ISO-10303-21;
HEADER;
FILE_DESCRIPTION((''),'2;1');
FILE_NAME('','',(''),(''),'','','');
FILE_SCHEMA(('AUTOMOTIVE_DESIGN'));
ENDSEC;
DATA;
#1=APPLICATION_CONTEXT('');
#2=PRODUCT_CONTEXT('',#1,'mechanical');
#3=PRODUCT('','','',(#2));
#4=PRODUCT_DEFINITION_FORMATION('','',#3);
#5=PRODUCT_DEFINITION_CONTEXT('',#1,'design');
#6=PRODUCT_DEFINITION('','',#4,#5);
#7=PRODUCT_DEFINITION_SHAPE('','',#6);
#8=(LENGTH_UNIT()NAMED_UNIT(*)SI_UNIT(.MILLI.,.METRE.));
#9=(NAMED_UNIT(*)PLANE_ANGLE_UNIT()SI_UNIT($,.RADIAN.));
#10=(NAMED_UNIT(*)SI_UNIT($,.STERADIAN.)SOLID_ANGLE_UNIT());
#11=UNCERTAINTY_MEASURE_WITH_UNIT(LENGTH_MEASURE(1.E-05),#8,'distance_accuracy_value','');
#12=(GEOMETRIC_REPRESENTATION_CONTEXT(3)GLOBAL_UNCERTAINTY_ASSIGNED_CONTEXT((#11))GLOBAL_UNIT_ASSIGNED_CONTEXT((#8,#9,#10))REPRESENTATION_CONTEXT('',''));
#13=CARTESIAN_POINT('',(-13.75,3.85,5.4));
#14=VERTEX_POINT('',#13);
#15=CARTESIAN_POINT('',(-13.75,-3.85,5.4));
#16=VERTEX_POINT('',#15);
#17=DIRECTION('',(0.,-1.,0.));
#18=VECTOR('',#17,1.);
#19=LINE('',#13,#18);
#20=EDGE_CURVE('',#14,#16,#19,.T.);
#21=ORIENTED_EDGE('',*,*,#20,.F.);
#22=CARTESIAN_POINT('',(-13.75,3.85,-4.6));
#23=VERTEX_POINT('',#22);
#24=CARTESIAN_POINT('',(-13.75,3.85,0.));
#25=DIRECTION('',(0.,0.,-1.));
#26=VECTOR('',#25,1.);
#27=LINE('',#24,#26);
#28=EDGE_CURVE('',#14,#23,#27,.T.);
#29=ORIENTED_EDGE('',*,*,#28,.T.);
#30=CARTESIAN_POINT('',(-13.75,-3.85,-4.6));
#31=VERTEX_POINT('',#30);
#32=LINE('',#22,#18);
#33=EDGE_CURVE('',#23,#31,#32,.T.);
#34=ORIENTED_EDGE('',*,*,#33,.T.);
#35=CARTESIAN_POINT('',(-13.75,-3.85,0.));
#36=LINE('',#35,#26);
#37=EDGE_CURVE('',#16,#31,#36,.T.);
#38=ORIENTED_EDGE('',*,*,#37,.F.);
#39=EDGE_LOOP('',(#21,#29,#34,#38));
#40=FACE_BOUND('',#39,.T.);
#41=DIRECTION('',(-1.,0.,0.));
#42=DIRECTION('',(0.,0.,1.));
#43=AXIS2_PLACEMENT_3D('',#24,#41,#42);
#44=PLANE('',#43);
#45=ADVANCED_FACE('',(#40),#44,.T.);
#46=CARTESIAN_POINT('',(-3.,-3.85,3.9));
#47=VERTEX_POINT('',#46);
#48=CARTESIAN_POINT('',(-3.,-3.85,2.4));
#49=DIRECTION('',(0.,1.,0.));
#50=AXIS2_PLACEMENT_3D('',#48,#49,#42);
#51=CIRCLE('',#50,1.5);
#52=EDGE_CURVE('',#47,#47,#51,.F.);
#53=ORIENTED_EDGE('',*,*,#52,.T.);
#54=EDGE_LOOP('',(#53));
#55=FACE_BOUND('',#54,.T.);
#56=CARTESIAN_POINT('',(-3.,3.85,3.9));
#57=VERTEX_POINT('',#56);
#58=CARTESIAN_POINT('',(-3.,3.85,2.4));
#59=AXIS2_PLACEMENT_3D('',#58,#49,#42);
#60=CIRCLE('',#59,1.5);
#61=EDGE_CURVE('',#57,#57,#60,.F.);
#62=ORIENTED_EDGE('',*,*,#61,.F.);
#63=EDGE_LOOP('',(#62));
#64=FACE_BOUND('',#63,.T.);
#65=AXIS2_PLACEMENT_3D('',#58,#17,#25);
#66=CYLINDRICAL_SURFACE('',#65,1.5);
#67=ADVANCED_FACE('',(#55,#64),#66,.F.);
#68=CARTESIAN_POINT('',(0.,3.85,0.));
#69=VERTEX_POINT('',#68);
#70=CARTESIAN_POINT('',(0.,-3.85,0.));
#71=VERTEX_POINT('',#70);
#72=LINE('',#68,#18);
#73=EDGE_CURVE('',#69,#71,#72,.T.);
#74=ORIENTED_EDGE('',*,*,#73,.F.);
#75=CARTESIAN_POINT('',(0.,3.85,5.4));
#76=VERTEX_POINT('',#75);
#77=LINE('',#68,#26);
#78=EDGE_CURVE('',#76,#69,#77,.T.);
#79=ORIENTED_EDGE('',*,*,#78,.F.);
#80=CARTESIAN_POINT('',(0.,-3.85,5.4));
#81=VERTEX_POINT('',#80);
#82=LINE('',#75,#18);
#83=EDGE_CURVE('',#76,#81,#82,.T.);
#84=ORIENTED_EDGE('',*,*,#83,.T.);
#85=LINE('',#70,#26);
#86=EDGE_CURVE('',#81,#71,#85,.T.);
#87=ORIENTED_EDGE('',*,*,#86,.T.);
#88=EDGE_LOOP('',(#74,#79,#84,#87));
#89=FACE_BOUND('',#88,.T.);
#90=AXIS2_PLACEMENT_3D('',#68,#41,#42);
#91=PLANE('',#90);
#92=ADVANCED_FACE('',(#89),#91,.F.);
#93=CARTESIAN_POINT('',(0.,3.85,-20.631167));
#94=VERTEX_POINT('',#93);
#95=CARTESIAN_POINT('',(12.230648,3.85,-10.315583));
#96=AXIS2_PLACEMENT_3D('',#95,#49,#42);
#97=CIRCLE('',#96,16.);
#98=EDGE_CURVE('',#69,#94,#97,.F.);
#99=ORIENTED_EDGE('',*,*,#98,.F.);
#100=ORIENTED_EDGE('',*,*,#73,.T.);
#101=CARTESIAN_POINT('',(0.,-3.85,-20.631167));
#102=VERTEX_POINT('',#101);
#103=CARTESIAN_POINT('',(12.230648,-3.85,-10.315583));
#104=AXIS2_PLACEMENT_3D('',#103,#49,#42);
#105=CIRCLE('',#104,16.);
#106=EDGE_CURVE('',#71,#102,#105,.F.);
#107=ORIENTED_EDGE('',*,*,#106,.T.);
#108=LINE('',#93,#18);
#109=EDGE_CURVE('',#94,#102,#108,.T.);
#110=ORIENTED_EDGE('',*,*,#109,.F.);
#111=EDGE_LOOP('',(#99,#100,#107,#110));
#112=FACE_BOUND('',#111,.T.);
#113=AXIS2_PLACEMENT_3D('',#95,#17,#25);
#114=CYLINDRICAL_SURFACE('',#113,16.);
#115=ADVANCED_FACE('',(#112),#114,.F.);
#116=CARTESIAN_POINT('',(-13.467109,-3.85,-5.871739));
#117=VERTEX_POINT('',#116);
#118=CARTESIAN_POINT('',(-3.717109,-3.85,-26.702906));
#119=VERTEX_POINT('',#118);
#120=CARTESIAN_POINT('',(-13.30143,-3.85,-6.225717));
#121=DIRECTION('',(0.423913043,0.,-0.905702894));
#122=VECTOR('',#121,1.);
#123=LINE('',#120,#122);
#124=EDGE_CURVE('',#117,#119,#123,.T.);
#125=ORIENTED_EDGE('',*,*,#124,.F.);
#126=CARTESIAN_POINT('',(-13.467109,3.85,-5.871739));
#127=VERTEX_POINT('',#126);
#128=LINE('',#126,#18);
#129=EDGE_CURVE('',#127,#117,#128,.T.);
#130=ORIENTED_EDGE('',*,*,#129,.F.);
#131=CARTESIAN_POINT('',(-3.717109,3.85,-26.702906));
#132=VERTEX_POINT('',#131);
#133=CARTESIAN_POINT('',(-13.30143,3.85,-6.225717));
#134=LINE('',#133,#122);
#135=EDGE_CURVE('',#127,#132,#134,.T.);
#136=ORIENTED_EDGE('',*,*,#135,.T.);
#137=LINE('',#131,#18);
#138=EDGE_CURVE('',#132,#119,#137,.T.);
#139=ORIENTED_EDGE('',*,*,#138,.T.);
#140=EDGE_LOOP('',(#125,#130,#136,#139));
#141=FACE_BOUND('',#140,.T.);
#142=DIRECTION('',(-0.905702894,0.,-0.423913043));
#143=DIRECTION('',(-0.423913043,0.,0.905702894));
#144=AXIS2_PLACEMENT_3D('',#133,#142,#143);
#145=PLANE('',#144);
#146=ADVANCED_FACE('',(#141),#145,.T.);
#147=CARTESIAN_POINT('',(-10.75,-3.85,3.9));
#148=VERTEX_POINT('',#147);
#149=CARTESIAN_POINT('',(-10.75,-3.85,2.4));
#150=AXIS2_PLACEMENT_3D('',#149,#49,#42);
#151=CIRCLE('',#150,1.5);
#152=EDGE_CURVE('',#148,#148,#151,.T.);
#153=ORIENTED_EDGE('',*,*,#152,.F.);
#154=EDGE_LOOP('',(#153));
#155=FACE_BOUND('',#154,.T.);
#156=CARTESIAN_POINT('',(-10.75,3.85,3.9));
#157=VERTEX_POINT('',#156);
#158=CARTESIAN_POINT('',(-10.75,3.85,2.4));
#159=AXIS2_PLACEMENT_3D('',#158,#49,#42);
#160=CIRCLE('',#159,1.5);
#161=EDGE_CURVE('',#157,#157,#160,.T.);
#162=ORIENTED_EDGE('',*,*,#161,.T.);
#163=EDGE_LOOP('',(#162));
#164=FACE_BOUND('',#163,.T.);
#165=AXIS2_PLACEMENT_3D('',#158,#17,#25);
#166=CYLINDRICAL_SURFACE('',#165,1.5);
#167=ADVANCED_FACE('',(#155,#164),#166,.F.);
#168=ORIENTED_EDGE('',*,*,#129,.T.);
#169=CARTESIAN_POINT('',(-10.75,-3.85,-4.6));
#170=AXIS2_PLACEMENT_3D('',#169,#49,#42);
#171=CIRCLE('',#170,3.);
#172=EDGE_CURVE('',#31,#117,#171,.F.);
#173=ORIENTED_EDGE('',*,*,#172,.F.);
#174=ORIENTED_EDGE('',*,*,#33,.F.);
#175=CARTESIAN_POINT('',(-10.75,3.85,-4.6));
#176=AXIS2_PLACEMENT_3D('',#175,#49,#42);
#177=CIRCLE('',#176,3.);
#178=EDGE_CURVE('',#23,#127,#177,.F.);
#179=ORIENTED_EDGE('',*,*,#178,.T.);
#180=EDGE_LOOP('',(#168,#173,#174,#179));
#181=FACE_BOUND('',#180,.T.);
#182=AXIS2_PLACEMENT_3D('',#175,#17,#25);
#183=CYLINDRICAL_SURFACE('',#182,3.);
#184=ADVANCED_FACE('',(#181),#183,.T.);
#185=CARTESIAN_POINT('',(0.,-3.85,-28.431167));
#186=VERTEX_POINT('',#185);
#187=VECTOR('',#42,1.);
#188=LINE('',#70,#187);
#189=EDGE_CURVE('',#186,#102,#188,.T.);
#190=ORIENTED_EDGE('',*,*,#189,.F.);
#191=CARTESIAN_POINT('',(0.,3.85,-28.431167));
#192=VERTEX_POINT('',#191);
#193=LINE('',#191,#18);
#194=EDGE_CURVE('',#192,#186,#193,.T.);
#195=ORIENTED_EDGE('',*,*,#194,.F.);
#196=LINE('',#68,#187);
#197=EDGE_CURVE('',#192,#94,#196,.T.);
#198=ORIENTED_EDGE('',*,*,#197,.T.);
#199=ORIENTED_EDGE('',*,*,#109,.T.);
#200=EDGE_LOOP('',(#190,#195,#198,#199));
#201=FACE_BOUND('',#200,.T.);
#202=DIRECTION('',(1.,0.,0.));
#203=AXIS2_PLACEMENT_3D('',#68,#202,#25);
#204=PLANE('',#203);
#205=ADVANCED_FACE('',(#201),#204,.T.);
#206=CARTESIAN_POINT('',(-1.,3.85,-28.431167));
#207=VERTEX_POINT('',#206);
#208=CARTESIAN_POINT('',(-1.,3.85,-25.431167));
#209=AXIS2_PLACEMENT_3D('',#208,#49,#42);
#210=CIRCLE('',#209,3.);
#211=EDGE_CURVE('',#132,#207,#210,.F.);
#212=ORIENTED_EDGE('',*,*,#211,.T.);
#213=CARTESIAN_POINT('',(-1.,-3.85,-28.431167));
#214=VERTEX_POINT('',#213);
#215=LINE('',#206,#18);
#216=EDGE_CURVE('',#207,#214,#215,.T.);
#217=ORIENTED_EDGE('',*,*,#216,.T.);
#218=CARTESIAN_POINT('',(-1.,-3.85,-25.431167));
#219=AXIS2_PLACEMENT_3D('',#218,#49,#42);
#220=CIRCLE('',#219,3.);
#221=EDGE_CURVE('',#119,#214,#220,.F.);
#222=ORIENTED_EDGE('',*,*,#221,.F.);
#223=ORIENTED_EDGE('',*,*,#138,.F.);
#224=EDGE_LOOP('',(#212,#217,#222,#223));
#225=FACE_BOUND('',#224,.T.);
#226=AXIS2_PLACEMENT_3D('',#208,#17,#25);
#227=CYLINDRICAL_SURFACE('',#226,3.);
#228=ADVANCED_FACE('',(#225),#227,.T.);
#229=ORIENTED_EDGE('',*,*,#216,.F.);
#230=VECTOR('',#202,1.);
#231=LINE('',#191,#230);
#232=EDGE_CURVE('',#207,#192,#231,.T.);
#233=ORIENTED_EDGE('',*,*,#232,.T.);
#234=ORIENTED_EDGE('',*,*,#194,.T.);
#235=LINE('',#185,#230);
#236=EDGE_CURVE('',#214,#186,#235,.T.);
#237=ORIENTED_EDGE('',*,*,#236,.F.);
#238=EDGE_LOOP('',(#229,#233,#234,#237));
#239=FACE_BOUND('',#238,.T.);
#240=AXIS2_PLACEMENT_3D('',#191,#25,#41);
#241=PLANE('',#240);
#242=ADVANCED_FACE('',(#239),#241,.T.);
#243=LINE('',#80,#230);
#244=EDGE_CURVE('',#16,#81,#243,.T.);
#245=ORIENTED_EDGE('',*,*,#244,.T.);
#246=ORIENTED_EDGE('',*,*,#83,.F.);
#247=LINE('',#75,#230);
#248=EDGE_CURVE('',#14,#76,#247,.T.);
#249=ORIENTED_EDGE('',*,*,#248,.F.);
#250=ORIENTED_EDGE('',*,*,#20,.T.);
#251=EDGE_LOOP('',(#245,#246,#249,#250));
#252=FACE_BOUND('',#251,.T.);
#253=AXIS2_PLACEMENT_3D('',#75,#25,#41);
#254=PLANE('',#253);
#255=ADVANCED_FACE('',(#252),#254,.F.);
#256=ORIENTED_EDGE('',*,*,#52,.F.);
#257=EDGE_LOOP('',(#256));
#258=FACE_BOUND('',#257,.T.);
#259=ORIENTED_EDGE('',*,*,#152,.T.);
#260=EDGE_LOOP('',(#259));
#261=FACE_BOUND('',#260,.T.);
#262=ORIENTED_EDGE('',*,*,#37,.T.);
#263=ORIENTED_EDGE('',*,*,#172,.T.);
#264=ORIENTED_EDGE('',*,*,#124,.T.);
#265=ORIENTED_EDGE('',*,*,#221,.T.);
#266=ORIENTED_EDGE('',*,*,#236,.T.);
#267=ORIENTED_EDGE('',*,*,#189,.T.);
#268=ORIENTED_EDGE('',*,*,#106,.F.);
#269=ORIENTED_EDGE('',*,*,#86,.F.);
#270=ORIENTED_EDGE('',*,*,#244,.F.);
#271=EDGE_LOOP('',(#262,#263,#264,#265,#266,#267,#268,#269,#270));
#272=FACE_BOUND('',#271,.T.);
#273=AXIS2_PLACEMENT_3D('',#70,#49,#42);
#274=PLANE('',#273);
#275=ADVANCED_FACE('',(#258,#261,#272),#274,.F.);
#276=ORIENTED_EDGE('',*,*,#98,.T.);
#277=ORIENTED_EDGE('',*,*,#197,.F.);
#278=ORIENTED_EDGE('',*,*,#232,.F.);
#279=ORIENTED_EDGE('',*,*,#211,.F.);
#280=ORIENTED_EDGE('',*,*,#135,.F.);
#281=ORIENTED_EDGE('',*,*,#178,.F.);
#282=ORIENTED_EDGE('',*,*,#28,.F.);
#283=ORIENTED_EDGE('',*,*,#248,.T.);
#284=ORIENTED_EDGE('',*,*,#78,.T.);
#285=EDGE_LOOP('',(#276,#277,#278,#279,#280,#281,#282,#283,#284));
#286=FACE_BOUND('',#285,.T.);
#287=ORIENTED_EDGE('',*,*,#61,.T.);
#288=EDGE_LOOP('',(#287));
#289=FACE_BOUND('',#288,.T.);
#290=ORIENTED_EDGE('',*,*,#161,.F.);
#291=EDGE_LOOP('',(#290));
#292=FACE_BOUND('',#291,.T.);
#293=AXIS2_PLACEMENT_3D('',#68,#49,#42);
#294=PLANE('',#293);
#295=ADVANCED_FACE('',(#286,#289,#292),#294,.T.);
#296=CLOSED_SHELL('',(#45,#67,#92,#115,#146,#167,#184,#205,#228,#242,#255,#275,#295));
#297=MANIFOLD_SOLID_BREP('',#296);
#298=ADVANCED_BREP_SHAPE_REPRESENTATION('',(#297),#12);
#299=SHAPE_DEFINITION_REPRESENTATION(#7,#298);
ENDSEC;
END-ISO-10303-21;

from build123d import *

# Parameters (mm, degrees)
SKETCH1_R           = 1.5
BOSS_EXTRUDE3_DEPTH = 3.85


with BuildPart() as part:
    # Sketch1 → Boss-Extrude3 (new body, symmetric)
    with BuildSketch(Plane(origin=(0, 0, 0), x_dir=(1, 0, 0), z_dir=(0, 1, 0))):
        with BuildLine():
            Line((-13.75, -5.4), (0, -5.4))
            Line((0, -5.4), (0, 0))
            ThreePointArc((0, 0), (-3.769352362, 10.315583277), (0, 20.631166554))
            Line((0, 20.631166554), (0, 28.431166554))
            Line((0, 28.431166554), (-1, 28.431166554))
            ThreePointArc((-1, 28.431166554), (-2.610090465, 27.962492036), (-3.717108681, 26.702905684))
            Line((-3.717108681, 26.702905684), (-13.467108681, 5.87173913))
            ThreePointArc((-13.467108681, 5.87173913), (-13.6784233, 5.251411528), (-13.75, 4.6))
            Line((-13.75, 4.6), (-13.75, -5.4))
        make_face()
        with Locations((-10.75, -2.4)):
            Circle(SKETCH1_R, mode=Mode.SUBTRACT)
        with Locations((-3, -2.4)):
            Circle(SKETCH1_R, mode=Mode.SUBTRACT)
    extrude(amount=BOSS_EXTRUDE3_DEPTH, both=True)


solid = part.part
